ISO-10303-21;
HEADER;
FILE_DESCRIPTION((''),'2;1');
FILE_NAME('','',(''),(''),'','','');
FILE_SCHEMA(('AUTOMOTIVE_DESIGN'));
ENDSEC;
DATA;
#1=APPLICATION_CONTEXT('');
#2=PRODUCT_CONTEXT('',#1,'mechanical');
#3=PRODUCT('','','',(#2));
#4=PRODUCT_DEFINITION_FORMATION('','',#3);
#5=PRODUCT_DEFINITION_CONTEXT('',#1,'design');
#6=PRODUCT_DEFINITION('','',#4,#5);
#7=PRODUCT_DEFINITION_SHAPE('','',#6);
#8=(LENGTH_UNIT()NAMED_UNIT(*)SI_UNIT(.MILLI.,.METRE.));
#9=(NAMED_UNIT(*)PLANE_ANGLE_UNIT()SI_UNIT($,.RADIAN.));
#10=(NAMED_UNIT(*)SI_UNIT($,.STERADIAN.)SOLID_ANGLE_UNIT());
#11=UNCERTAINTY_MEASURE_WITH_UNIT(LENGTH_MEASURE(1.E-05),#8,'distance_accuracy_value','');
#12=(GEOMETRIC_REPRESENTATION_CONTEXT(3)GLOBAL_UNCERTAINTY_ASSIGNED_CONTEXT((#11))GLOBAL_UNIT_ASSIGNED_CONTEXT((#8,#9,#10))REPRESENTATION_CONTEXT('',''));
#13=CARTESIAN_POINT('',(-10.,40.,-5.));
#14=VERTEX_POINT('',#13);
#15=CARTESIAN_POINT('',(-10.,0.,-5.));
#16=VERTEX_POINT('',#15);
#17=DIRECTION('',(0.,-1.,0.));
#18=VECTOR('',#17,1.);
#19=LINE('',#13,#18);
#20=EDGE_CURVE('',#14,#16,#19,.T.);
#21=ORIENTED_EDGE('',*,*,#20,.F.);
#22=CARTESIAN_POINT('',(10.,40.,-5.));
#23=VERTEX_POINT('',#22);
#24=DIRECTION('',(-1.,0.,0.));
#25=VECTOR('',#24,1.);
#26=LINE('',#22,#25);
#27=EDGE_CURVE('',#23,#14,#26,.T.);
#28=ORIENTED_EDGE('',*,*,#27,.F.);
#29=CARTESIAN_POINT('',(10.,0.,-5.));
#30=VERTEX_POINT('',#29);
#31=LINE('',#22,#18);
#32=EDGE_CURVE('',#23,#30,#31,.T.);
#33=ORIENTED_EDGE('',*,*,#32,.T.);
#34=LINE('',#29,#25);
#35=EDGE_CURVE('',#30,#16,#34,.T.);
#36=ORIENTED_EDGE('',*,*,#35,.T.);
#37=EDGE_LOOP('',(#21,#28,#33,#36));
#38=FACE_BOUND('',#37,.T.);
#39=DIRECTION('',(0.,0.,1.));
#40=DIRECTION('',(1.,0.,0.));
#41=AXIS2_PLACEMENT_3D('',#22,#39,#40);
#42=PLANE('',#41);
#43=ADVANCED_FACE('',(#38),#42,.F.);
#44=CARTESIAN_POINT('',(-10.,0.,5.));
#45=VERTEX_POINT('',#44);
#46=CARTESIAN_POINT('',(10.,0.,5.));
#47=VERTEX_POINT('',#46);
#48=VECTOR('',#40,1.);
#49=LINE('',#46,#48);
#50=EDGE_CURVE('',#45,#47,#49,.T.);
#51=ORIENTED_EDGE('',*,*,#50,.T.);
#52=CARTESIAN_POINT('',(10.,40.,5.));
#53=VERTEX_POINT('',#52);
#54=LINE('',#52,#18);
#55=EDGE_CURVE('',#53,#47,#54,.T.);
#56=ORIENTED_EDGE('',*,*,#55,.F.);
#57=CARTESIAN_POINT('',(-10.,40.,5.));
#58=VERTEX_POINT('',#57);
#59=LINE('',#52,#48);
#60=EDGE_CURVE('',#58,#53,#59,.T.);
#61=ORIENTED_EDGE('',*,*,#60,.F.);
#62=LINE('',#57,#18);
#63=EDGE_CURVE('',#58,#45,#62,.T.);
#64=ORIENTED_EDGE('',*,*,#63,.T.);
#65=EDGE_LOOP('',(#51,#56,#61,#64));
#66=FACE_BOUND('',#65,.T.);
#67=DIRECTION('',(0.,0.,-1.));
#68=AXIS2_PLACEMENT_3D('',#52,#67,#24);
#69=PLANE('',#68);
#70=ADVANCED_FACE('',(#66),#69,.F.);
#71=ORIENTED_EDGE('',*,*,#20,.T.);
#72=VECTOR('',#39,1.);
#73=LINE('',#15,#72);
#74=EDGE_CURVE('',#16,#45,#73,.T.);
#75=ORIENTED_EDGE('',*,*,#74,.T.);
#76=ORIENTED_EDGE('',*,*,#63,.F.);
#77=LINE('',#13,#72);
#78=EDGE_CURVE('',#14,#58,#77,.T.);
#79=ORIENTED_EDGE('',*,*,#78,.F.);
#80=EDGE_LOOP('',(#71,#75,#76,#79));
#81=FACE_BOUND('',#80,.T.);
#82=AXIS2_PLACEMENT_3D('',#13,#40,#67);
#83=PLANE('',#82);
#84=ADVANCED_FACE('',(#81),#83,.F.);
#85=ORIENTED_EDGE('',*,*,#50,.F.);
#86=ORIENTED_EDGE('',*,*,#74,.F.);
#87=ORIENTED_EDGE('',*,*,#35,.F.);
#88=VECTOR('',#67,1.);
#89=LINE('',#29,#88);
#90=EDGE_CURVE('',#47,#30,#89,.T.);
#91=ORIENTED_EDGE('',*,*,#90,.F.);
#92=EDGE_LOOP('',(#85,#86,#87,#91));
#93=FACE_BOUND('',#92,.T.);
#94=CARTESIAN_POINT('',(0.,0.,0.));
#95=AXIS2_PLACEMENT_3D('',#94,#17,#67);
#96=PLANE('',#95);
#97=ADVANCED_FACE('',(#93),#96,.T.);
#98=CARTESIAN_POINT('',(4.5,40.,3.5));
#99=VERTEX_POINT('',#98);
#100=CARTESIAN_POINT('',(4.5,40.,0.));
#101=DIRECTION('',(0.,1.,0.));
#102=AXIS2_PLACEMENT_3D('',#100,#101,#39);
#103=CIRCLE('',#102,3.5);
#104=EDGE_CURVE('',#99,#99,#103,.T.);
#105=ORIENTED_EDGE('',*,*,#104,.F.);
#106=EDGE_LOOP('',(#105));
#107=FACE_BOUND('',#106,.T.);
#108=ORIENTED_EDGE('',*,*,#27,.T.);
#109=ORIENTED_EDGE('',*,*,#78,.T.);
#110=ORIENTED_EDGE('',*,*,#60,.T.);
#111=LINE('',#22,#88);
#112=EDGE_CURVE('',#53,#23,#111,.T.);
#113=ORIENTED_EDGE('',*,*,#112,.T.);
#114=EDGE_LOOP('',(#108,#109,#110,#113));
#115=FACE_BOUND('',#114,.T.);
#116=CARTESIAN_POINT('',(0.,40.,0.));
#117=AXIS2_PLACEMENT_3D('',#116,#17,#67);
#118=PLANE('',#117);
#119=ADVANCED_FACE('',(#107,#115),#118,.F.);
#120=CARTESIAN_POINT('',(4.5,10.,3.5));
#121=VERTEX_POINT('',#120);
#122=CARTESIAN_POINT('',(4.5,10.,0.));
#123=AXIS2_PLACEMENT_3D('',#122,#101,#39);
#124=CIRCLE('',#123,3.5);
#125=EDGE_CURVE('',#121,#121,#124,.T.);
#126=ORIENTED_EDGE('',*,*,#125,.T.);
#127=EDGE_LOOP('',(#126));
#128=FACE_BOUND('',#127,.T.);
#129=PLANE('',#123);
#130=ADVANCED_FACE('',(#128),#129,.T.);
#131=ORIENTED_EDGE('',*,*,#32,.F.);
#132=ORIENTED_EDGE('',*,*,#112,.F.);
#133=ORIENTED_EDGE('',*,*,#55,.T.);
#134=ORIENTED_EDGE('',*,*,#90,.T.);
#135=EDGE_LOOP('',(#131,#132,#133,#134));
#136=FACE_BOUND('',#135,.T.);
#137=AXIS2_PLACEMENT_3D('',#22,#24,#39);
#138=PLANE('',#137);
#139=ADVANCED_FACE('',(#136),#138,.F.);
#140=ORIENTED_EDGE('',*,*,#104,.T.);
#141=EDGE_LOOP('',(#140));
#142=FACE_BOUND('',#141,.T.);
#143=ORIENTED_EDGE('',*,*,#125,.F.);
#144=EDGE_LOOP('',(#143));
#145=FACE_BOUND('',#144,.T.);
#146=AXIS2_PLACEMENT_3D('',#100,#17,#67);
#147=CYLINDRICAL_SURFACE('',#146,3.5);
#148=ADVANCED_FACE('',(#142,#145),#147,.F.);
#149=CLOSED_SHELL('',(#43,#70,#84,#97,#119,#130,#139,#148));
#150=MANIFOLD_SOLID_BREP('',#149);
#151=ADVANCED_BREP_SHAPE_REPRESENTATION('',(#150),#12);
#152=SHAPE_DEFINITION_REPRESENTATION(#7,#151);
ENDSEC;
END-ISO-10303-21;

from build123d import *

# Parameters (mm, degrees)
SKETCH1_W           = 20
SKETCH1_H           = 10
SKETCH1_R           = 3.5
BOSS_EXTRUDE1_DEPTH = 40
SKETCH2_R           = 3.5
BOSS_EXTRUDE2_DEPTH = 10


with BuildPart() as part:
    # Sketch1 → Boss-Extrude1 (new body)
    with BuildSketch(Plane(origin=(0, 0, 0), x_dir=(1, 0, 0), z_dir=(0, 1, 0))):
        Rectangle(SKETCH1_W, SKETCH1_H)
        with Locations(Location((4.5, 0, 0), (0, 0, 270))):
            Circle(SKETCH1_R, mode=Mode.SUBTRACT)
    extrude(amount=BOSS_EXTRUDE1_DEPTH)

    # Sketch2 → Boss-Extrude2 (add)
    with BuildSketch(Plane(origin=(0, 0, 0), x_dir=(1, 0, 0), z_dir=(0, 1, 0))):
        with Locations(Location((4.5, 0, 0), (0, 0, 270))):
            Circle(SKETCH2_R)
    extrude(amount=BOSS_EXTRUDE2_DEPTH)


solid = part.part
